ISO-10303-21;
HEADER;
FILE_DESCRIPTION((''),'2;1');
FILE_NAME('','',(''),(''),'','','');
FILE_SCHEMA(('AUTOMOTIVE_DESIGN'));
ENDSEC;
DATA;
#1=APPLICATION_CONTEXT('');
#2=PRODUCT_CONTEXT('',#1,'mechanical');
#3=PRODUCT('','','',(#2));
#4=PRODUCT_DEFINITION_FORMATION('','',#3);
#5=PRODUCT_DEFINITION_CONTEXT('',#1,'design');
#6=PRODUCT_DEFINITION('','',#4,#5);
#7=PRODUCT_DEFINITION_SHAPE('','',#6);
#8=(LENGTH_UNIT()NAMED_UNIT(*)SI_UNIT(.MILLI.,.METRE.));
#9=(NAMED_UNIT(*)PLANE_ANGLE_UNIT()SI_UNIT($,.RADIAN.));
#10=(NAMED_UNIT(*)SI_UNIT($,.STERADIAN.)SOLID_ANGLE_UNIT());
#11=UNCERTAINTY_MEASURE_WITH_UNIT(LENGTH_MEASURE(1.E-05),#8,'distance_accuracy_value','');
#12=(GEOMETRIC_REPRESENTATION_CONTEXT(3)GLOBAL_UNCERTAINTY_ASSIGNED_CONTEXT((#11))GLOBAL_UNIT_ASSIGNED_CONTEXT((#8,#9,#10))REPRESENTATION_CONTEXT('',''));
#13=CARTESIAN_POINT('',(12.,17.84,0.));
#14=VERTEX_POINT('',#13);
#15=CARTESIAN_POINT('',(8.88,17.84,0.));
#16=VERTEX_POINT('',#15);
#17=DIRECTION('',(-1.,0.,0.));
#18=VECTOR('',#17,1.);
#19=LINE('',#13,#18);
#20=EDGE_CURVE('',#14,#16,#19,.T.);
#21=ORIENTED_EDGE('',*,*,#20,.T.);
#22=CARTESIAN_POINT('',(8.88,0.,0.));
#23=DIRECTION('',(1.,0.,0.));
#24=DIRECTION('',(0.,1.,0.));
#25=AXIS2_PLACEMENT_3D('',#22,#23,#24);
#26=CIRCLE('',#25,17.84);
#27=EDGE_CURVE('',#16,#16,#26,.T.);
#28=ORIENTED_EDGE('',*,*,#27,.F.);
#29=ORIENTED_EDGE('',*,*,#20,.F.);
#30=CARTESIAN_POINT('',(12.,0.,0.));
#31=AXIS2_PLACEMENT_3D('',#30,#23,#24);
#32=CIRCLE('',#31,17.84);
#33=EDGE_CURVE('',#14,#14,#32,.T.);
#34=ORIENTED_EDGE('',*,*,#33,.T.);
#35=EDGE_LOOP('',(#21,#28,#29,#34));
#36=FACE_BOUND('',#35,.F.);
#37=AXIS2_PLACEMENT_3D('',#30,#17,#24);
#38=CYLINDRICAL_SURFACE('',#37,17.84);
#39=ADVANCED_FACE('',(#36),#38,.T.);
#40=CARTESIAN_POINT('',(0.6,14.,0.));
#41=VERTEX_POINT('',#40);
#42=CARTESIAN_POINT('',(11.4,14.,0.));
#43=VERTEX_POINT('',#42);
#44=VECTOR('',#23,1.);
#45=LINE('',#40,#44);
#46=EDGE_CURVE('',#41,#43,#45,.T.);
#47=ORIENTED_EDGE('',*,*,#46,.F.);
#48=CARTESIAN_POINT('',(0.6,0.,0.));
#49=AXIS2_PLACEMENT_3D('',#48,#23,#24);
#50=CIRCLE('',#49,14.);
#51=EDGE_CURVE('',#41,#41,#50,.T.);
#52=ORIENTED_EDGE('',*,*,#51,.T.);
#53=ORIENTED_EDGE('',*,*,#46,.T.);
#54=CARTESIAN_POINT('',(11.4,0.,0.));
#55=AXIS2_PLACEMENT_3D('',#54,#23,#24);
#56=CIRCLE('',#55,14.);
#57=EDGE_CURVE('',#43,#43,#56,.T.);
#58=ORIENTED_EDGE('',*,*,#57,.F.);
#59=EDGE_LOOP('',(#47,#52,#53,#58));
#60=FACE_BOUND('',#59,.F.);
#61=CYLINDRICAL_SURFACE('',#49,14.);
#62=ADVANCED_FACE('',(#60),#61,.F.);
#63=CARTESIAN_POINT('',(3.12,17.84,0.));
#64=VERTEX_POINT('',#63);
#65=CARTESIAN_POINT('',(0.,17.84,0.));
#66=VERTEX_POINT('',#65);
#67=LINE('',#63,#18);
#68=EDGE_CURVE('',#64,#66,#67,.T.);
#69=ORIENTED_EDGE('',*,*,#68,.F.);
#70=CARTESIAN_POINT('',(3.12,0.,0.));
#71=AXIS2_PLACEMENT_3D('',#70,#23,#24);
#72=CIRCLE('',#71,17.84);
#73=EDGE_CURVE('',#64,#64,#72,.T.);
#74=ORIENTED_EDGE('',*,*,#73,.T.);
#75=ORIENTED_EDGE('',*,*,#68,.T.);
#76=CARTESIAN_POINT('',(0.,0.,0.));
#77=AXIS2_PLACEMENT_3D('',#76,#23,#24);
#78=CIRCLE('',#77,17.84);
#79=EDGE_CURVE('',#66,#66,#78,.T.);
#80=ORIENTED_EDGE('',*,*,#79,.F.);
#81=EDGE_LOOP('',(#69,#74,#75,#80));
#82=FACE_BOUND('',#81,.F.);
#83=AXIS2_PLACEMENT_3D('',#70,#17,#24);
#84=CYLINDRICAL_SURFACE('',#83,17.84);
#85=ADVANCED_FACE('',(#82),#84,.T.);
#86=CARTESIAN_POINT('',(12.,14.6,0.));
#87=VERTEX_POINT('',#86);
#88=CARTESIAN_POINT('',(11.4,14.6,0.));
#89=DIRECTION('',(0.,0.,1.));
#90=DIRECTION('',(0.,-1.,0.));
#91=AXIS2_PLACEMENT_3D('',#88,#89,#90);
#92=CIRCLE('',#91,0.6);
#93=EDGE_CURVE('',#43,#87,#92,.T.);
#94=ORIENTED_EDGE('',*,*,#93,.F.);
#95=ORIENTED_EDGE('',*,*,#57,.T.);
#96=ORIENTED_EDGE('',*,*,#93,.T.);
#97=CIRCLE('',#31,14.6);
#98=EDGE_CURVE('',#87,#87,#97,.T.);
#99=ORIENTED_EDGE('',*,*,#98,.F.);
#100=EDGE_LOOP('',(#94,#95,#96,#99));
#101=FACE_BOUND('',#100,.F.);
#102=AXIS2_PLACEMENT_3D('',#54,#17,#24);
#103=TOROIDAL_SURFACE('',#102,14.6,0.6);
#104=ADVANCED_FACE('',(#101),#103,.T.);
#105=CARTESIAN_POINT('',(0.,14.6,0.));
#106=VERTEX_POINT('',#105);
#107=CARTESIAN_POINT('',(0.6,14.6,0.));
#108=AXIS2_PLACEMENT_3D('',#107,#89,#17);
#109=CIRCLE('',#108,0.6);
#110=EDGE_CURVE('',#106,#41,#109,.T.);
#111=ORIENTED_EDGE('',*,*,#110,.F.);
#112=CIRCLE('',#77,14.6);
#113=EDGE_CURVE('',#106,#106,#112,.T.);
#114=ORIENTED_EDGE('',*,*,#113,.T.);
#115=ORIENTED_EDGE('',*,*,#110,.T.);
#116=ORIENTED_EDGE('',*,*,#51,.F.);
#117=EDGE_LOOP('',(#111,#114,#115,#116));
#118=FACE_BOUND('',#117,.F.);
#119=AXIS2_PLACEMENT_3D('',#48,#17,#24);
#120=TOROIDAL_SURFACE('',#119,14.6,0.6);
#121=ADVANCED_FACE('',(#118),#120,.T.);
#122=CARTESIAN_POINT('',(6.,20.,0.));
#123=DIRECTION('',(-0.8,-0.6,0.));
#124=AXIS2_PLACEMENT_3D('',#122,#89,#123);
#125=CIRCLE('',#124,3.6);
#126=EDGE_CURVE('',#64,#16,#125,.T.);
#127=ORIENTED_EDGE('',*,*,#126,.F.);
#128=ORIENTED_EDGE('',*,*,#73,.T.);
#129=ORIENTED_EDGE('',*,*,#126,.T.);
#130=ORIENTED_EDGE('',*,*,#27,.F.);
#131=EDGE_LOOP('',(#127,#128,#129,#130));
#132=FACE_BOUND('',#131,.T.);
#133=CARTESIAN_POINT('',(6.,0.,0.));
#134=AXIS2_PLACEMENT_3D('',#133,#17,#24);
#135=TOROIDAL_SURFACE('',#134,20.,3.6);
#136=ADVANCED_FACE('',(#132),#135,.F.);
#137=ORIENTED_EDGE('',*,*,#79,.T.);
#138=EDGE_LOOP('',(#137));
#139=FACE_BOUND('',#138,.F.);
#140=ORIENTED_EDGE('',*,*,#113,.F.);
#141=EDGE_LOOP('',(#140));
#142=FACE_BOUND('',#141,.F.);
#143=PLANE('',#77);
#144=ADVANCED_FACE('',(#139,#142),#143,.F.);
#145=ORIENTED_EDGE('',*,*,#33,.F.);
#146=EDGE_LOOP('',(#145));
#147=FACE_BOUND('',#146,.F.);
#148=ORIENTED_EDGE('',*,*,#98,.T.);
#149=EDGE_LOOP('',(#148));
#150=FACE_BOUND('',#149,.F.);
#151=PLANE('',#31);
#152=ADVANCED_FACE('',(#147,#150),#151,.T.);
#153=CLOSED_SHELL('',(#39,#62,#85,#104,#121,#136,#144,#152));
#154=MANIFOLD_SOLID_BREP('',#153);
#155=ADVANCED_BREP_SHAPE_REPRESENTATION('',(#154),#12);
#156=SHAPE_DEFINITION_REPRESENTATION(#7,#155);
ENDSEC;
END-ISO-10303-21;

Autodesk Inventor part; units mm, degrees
sketch "Sketch_1" plane through (0, 0, 0) normal (0, 0, 1) x (1, 0, 0)
  line L0 (12, 0) -> (0, 0)
  arc A0 (0, 14.6) -> (0.6, 14) centre (0.6, 14.6) ccw
  line L1 (0.6, 14) -> (11.4, 14)
  arc A1 (11.4, 14) -> (12, 14.6) centre (11.4, 14.6) ccw
  line L2 (12, 14.6) -> (12, 17.84)
  line L3 (12, 17.84) -> (8.88, 17.84)
  arc A2 (3.12, 17.84) -> (8.88, 17.84) centre (6, 20) ccw
  line L4 (3.12, 17.84) -> (0, 17.84)
  line L5 (0, 17.84) -> (0, 14.6)
revolve "Revolution1" add sketch "Sketch_1" angle 360 about axis through (12, 0, 0) along (1, 0, 0)
ref_plane "dgbb_ir_XY" through (0, 0, 0) normal (1, 0, 0) x (0, 0, -1)
ref_plane "dgbb_ir_YZ" through (0, 0, 0) normal (0, 0, -1) x (0, 1, 0)
ref_plane "dgbb_ir_ZX" through (0, 0, 0) normal (0, 1, 0) x (1, 0, 0)
properties part number "60/28 Inner Ring"
